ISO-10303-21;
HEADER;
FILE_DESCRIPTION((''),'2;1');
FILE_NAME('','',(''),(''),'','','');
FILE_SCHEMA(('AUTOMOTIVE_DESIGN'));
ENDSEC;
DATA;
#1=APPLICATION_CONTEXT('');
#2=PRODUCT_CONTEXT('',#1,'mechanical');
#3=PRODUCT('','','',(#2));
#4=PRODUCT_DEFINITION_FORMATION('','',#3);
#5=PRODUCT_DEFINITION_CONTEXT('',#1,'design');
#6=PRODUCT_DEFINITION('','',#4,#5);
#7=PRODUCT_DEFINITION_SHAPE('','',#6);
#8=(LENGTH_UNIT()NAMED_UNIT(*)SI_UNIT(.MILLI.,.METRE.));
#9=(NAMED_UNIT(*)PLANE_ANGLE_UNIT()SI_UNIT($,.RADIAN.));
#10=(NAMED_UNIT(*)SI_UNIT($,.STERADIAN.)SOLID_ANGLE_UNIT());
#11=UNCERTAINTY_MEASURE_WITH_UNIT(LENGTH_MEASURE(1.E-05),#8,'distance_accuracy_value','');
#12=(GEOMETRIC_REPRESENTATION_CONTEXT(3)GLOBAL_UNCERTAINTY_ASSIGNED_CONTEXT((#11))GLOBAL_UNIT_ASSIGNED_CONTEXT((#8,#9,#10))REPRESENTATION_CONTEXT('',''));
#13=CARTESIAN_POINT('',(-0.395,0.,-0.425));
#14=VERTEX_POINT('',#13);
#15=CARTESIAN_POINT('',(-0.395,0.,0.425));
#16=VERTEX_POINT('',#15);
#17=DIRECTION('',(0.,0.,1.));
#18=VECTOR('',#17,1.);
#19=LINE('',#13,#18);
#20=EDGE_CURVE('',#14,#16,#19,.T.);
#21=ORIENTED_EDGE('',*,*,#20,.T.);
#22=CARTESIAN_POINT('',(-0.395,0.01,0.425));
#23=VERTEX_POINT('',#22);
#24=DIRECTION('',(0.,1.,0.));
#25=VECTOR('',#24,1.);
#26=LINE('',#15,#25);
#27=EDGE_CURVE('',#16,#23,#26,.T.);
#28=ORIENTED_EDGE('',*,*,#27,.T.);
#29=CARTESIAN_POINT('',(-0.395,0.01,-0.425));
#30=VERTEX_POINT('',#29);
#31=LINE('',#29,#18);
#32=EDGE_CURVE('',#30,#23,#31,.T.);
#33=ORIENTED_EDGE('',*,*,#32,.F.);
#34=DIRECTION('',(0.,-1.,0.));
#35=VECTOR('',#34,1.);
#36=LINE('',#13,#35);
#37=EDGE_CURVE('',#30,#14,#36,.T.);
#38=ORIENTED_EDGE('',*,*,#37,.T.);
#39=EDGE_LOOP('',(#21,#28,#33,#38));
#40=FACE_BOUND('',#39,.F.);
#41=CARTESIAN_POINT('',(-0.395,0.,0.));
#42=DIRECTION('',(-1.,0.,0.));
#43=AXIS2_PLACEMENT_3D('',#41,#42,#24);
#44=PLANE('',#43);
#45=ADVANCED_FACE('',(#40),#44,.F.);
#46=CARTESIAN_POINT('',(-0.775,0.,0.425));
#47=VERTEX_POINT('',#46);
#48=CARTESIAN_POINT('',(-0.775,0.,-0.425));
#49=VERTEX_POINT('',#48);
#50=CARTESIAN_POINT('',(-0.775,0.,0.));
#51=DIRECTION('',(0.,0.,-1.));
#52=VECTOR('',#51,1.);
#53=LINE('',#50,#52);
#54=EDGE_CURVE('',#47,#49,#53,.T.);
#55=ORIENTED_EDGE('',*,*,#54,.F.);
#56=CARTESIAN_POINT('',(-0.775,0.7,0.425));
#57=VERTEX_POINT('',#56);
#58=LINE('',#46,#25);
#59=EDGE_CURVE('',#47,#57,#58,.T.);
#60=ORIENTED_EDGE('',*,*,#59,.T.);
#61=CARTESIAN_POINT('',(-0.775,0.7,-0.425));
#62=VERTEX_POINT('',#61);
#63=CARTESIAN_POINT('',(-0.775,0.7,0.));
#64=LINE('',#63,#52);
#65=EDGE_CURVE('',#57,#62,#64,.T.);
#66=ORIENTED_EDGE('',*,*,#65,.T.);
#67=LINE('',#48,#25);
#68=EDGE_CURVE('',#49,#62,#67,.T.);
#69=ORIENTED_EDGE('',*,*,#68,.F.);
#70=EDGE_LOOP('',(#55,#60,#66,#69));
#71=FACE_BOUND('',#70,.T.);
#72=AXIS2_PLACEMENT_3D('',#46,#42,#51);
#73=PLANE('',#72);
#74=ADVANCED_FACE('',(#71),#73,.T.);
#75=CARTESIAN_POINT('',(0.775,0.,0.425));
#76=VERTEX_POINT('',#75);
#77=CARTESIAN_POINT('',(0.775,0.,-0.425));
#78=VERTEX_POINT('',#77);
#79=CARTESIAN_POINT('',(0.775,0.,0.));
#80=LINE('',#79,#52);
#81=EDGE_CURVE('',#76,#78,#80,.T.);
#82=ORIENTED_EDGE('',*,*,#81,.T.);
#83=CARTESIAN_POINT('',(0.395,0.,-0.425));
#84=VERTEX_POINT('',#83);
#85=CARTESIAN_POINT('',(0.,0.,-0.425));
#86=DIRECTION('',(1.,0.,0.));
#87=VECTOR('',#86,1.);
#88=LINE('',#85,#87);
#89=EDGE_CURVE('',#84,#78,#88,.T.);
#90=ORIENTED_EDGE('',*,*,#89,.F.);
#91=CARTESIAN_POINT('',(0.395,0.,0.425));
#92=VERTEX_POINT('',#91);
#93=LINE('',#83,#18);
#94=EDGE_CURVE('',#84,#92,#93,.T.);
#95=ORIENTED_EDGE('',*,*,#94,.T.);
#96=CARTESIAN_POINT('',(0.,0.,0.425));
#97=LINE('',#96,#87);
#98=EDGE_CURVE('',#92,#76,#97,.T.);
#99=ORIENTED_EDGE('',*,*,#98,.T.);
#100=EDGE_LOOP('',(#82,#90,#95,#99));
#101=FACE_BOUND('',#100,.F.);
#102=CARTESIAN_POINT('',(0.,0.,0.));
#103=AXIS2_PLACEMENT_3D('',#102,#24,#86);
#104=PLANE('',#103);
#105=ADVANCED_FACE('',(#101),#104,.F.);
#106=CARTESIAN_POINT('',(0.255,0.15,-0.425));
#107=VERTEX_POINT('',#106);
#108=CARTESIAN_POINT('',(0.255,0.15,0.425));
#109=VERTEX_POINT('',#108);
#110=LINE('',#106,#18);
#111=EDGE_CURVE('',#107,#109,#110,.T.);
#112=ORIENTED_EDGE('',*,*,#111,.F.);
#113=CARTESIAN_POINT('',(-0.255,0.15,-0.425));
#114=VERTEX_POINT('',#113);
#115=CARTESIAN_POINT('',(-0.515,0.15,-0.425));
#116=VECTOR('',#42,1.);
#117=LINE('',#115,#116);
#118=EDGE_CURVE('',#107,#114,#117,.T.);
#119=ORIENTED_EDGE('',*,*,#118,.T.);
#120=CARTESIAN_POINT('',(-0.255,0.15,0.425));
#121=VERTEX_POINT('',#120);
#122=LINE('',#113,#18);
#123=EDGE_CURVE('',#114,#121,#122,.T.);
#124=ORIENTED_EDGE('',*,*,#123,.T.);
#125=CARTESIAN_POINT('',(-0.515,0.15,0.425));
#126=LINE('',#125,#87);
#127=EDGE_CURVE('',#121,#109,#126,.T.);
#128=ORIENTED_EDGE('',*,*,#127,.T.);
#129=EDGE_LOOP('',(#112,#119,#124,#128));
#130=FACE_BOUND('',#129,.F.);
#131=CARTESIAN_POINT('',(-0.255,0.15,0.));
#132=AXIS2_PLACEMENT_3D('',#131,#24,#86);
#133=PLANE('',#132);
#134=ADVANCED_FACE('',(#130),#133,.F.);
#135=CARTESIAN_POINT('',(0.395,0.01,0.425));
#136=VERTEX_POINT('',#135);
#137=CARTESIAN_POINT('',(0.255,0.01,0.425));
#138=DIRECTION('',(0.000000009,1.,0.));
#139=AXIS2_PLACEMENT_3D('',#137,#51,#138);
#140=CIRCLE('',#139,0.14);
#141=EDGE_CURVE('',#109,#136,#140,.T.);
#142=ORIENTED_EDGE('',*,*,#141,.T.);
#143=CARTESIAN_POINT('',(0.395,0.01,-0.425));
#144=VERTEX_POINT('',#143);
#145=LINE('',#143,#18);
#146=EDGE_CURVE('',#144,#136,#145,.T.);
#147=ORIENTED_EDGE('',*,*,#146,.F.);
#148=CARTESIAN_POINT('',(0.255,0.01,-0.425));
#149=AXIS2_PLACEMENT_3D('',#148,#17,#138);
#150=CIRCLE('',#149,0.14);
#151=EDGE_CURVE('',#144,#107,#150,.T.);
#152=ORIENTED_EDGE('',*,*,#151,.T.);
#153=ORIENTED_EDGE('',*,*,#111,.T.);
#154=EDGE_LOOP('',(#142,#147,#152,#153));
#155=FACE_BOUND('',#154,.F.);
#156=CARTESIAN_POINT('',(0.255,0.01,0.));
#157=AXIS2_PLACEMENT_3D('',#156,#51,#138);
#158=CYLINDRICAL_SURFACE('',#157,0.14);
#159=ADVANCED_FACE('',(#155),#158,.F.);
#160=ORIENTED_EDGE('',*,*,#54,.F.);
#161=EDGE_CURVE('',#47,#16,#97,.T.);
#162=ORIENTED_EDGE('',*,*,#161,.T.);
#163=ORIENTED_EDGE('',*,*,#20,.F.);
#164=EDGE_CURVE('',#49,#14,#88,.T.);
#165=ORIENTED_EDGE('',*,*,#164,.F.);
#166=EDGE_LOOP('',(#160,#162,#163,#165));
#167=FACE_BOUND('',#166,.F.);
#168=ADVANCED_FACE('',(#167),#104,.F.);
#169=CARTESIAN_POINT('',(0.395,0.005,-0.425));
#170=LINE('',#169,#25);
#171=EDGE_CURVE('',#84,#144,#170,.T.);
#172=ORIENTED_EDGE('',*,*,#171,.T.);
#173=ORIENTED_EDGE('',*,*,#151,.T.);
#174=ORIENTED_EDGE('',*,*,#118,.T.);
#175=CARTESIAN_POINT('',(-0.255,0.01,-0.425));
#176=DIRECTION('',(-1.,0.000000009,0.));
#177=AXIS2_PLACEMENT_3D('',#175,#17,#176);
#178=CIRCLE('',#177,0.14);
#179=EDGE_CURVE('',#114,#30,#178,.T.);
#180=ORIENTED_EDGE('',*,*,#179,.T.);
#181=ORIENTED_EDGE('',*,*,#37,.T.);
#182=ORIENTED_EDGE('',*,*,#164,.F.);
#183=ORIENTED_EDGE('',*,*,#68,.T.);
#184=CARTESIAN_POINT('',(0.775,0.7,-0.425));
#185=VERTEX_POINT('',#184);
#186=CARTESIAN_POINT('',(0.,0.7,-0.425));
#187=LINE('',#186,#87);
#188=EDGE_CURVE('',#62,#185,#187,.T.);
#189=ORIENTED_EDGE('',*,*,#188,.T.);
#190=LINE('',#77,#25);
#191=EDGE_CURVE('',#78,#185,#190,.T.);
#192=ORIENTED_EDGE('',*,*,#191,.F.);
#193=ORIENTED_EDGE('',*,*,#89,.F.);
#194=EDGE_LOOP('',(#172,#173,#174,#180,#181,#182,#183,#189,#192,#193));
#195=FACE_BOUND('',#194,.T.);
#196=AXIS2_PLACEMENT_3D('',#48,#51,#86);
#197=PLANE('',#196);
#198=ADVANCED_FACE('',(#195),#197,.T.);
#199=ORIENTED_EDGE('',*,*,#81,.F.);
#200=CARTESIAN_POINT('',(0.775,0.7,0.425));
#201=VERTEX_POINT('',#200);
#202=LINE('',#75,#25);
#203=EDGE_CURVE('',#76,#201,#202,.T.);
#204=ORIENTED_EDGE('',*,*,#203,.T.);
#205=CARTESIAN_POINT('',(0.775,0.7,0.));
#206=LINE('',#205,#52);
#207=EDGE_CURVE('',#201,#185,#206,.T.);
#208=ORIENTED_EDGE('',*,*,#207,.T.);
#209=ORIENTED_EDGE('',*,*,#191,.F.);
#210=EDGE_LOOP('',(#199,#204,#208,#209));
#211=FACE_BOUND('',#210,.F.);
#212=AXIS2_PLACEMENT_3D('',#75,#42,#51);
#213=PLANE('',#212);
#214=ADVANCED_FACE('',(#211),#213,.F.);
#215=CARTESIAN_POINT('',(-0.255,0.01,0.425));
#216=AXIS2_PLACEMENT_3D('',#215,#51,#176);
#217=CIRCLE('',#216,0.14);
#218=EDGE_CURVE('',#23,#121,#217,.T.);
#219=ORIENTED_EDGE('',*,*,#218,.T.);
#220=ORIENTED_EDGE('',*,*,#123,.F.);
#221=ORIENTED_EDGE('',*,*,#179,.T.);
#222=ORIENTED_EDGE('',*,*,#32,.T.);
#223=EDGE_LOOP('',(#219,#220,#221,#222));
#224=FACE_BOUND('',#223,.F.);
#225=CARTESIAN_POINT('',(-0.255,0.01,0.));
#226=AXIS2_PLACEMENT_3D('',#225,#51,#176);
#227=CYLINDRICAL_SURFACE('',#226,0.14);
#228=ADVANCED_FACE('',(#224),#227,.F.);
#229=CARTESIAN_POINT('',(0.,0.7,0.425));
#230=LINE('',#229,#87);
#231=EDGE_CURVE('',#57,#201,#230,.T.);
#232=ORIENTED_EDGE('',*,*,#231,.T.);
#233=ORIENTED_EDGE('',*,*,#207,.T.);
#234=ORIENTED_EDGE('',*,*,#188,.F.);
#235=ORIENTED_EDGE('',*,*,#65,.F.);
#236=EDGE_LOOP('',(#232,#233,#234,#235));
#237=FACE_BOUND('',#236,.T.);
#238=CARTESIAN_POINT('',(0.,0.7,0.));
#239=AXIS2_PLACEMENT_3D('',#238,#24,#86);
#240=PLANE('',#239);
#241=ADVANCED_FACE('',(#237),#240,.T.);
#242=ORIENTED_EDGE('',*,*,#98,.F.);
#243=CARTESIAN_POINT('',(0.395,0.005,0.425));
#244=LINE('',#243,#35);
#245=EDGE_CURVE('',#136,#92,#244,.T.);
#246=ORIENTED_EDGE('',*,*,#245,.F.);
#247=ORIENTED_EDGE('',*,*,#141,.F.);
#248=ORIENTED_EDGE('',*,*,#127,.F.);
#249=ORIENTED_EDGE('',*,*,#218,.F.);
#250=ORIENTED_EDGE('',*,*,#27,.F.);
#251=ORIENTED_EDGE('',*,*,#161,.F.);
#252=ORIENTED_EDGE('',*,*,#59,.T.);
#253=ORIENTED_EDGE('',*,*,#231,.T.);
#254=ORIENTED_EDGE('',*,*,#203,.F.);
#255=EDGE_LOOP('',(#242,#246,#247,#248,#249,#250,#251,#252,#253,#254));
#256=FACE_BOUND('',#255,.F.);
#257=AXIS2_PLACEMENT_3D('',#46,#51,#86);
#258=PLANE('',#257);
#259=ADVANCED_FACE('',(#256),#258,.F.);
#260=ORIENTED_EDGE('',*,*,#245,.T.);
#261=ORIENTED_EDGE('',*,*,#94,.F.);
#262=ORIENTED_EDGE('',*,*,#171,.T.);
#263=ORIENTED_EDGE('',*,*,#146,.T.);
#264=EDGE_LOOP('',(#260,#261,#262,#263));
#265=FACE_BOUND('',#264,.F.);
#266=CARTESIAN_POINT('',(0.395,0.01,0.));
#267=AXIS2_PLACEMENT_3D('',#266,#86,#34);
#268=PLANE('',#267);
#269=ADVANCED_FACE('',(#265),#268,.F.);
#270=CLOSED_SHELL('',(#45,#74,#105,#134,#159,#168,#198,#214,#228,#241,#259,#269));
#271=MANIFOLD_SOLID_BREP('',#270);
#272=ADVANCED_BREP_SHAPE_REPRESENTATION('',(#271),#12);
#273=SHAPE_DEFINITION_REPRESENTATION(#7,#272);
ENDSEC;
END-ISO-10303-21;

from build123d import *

# Parameters (mm, degrees)
SKETCH1_W               = 1.55
SKETCH1_H               = 0.85
BOSS_EXTRUDE1_DEPTH     = 0.7
CUT_EXTRUDE1_DEPTH      = 1.425
CUT_EXTRUDE1_DEPTH_BACK = 1.425


with BuildPart() as part:
    # Sketch1 → Boss-Extrude1 (new body)
    with BuildSketch(Plane(origin=(0, 0, 0), x_dir=(1, 0, 0), z_dir=(0, 1, 0))):
        Rectangle(SKETCH1_W, SKETCH1_H)
    extrude(amount=BOSS_EXTRUDE1_DEPTH)

    # Sketch2 → Cut-Extrude1 (cut, two sides)
    with BuildSketch(Plane.XY) as cut_extrude1_sk:
        with BuildLine():
            Line((-0.255, 0.15), (0.255, 0.15))
            ThreePointArc((0.255, 0.15), (0.353994949, 0.108994949), (0.395, 0.01))
            Line((0.395, 0.01), (0.395, 0))
            Line((0.395, 0), (-0.395, 0))
            Line((-0.395, 0), (-0.395, 0.01))
            ThreePointArc((-0.395, 0.01), (-0.353994949, 0.108994949), (-0.255, 0.15))
        make_face()
    extrude(amount=CUT_EXTRUDE1_DEPTH, mode=Mode.SUBTRACT)
    extrude(cut_extrude1_sk.sketch, amount=-CUT_EXTRUDE1_DEPTH_BACK, mode=Mode.SUBTRACT)


solid = part.part
